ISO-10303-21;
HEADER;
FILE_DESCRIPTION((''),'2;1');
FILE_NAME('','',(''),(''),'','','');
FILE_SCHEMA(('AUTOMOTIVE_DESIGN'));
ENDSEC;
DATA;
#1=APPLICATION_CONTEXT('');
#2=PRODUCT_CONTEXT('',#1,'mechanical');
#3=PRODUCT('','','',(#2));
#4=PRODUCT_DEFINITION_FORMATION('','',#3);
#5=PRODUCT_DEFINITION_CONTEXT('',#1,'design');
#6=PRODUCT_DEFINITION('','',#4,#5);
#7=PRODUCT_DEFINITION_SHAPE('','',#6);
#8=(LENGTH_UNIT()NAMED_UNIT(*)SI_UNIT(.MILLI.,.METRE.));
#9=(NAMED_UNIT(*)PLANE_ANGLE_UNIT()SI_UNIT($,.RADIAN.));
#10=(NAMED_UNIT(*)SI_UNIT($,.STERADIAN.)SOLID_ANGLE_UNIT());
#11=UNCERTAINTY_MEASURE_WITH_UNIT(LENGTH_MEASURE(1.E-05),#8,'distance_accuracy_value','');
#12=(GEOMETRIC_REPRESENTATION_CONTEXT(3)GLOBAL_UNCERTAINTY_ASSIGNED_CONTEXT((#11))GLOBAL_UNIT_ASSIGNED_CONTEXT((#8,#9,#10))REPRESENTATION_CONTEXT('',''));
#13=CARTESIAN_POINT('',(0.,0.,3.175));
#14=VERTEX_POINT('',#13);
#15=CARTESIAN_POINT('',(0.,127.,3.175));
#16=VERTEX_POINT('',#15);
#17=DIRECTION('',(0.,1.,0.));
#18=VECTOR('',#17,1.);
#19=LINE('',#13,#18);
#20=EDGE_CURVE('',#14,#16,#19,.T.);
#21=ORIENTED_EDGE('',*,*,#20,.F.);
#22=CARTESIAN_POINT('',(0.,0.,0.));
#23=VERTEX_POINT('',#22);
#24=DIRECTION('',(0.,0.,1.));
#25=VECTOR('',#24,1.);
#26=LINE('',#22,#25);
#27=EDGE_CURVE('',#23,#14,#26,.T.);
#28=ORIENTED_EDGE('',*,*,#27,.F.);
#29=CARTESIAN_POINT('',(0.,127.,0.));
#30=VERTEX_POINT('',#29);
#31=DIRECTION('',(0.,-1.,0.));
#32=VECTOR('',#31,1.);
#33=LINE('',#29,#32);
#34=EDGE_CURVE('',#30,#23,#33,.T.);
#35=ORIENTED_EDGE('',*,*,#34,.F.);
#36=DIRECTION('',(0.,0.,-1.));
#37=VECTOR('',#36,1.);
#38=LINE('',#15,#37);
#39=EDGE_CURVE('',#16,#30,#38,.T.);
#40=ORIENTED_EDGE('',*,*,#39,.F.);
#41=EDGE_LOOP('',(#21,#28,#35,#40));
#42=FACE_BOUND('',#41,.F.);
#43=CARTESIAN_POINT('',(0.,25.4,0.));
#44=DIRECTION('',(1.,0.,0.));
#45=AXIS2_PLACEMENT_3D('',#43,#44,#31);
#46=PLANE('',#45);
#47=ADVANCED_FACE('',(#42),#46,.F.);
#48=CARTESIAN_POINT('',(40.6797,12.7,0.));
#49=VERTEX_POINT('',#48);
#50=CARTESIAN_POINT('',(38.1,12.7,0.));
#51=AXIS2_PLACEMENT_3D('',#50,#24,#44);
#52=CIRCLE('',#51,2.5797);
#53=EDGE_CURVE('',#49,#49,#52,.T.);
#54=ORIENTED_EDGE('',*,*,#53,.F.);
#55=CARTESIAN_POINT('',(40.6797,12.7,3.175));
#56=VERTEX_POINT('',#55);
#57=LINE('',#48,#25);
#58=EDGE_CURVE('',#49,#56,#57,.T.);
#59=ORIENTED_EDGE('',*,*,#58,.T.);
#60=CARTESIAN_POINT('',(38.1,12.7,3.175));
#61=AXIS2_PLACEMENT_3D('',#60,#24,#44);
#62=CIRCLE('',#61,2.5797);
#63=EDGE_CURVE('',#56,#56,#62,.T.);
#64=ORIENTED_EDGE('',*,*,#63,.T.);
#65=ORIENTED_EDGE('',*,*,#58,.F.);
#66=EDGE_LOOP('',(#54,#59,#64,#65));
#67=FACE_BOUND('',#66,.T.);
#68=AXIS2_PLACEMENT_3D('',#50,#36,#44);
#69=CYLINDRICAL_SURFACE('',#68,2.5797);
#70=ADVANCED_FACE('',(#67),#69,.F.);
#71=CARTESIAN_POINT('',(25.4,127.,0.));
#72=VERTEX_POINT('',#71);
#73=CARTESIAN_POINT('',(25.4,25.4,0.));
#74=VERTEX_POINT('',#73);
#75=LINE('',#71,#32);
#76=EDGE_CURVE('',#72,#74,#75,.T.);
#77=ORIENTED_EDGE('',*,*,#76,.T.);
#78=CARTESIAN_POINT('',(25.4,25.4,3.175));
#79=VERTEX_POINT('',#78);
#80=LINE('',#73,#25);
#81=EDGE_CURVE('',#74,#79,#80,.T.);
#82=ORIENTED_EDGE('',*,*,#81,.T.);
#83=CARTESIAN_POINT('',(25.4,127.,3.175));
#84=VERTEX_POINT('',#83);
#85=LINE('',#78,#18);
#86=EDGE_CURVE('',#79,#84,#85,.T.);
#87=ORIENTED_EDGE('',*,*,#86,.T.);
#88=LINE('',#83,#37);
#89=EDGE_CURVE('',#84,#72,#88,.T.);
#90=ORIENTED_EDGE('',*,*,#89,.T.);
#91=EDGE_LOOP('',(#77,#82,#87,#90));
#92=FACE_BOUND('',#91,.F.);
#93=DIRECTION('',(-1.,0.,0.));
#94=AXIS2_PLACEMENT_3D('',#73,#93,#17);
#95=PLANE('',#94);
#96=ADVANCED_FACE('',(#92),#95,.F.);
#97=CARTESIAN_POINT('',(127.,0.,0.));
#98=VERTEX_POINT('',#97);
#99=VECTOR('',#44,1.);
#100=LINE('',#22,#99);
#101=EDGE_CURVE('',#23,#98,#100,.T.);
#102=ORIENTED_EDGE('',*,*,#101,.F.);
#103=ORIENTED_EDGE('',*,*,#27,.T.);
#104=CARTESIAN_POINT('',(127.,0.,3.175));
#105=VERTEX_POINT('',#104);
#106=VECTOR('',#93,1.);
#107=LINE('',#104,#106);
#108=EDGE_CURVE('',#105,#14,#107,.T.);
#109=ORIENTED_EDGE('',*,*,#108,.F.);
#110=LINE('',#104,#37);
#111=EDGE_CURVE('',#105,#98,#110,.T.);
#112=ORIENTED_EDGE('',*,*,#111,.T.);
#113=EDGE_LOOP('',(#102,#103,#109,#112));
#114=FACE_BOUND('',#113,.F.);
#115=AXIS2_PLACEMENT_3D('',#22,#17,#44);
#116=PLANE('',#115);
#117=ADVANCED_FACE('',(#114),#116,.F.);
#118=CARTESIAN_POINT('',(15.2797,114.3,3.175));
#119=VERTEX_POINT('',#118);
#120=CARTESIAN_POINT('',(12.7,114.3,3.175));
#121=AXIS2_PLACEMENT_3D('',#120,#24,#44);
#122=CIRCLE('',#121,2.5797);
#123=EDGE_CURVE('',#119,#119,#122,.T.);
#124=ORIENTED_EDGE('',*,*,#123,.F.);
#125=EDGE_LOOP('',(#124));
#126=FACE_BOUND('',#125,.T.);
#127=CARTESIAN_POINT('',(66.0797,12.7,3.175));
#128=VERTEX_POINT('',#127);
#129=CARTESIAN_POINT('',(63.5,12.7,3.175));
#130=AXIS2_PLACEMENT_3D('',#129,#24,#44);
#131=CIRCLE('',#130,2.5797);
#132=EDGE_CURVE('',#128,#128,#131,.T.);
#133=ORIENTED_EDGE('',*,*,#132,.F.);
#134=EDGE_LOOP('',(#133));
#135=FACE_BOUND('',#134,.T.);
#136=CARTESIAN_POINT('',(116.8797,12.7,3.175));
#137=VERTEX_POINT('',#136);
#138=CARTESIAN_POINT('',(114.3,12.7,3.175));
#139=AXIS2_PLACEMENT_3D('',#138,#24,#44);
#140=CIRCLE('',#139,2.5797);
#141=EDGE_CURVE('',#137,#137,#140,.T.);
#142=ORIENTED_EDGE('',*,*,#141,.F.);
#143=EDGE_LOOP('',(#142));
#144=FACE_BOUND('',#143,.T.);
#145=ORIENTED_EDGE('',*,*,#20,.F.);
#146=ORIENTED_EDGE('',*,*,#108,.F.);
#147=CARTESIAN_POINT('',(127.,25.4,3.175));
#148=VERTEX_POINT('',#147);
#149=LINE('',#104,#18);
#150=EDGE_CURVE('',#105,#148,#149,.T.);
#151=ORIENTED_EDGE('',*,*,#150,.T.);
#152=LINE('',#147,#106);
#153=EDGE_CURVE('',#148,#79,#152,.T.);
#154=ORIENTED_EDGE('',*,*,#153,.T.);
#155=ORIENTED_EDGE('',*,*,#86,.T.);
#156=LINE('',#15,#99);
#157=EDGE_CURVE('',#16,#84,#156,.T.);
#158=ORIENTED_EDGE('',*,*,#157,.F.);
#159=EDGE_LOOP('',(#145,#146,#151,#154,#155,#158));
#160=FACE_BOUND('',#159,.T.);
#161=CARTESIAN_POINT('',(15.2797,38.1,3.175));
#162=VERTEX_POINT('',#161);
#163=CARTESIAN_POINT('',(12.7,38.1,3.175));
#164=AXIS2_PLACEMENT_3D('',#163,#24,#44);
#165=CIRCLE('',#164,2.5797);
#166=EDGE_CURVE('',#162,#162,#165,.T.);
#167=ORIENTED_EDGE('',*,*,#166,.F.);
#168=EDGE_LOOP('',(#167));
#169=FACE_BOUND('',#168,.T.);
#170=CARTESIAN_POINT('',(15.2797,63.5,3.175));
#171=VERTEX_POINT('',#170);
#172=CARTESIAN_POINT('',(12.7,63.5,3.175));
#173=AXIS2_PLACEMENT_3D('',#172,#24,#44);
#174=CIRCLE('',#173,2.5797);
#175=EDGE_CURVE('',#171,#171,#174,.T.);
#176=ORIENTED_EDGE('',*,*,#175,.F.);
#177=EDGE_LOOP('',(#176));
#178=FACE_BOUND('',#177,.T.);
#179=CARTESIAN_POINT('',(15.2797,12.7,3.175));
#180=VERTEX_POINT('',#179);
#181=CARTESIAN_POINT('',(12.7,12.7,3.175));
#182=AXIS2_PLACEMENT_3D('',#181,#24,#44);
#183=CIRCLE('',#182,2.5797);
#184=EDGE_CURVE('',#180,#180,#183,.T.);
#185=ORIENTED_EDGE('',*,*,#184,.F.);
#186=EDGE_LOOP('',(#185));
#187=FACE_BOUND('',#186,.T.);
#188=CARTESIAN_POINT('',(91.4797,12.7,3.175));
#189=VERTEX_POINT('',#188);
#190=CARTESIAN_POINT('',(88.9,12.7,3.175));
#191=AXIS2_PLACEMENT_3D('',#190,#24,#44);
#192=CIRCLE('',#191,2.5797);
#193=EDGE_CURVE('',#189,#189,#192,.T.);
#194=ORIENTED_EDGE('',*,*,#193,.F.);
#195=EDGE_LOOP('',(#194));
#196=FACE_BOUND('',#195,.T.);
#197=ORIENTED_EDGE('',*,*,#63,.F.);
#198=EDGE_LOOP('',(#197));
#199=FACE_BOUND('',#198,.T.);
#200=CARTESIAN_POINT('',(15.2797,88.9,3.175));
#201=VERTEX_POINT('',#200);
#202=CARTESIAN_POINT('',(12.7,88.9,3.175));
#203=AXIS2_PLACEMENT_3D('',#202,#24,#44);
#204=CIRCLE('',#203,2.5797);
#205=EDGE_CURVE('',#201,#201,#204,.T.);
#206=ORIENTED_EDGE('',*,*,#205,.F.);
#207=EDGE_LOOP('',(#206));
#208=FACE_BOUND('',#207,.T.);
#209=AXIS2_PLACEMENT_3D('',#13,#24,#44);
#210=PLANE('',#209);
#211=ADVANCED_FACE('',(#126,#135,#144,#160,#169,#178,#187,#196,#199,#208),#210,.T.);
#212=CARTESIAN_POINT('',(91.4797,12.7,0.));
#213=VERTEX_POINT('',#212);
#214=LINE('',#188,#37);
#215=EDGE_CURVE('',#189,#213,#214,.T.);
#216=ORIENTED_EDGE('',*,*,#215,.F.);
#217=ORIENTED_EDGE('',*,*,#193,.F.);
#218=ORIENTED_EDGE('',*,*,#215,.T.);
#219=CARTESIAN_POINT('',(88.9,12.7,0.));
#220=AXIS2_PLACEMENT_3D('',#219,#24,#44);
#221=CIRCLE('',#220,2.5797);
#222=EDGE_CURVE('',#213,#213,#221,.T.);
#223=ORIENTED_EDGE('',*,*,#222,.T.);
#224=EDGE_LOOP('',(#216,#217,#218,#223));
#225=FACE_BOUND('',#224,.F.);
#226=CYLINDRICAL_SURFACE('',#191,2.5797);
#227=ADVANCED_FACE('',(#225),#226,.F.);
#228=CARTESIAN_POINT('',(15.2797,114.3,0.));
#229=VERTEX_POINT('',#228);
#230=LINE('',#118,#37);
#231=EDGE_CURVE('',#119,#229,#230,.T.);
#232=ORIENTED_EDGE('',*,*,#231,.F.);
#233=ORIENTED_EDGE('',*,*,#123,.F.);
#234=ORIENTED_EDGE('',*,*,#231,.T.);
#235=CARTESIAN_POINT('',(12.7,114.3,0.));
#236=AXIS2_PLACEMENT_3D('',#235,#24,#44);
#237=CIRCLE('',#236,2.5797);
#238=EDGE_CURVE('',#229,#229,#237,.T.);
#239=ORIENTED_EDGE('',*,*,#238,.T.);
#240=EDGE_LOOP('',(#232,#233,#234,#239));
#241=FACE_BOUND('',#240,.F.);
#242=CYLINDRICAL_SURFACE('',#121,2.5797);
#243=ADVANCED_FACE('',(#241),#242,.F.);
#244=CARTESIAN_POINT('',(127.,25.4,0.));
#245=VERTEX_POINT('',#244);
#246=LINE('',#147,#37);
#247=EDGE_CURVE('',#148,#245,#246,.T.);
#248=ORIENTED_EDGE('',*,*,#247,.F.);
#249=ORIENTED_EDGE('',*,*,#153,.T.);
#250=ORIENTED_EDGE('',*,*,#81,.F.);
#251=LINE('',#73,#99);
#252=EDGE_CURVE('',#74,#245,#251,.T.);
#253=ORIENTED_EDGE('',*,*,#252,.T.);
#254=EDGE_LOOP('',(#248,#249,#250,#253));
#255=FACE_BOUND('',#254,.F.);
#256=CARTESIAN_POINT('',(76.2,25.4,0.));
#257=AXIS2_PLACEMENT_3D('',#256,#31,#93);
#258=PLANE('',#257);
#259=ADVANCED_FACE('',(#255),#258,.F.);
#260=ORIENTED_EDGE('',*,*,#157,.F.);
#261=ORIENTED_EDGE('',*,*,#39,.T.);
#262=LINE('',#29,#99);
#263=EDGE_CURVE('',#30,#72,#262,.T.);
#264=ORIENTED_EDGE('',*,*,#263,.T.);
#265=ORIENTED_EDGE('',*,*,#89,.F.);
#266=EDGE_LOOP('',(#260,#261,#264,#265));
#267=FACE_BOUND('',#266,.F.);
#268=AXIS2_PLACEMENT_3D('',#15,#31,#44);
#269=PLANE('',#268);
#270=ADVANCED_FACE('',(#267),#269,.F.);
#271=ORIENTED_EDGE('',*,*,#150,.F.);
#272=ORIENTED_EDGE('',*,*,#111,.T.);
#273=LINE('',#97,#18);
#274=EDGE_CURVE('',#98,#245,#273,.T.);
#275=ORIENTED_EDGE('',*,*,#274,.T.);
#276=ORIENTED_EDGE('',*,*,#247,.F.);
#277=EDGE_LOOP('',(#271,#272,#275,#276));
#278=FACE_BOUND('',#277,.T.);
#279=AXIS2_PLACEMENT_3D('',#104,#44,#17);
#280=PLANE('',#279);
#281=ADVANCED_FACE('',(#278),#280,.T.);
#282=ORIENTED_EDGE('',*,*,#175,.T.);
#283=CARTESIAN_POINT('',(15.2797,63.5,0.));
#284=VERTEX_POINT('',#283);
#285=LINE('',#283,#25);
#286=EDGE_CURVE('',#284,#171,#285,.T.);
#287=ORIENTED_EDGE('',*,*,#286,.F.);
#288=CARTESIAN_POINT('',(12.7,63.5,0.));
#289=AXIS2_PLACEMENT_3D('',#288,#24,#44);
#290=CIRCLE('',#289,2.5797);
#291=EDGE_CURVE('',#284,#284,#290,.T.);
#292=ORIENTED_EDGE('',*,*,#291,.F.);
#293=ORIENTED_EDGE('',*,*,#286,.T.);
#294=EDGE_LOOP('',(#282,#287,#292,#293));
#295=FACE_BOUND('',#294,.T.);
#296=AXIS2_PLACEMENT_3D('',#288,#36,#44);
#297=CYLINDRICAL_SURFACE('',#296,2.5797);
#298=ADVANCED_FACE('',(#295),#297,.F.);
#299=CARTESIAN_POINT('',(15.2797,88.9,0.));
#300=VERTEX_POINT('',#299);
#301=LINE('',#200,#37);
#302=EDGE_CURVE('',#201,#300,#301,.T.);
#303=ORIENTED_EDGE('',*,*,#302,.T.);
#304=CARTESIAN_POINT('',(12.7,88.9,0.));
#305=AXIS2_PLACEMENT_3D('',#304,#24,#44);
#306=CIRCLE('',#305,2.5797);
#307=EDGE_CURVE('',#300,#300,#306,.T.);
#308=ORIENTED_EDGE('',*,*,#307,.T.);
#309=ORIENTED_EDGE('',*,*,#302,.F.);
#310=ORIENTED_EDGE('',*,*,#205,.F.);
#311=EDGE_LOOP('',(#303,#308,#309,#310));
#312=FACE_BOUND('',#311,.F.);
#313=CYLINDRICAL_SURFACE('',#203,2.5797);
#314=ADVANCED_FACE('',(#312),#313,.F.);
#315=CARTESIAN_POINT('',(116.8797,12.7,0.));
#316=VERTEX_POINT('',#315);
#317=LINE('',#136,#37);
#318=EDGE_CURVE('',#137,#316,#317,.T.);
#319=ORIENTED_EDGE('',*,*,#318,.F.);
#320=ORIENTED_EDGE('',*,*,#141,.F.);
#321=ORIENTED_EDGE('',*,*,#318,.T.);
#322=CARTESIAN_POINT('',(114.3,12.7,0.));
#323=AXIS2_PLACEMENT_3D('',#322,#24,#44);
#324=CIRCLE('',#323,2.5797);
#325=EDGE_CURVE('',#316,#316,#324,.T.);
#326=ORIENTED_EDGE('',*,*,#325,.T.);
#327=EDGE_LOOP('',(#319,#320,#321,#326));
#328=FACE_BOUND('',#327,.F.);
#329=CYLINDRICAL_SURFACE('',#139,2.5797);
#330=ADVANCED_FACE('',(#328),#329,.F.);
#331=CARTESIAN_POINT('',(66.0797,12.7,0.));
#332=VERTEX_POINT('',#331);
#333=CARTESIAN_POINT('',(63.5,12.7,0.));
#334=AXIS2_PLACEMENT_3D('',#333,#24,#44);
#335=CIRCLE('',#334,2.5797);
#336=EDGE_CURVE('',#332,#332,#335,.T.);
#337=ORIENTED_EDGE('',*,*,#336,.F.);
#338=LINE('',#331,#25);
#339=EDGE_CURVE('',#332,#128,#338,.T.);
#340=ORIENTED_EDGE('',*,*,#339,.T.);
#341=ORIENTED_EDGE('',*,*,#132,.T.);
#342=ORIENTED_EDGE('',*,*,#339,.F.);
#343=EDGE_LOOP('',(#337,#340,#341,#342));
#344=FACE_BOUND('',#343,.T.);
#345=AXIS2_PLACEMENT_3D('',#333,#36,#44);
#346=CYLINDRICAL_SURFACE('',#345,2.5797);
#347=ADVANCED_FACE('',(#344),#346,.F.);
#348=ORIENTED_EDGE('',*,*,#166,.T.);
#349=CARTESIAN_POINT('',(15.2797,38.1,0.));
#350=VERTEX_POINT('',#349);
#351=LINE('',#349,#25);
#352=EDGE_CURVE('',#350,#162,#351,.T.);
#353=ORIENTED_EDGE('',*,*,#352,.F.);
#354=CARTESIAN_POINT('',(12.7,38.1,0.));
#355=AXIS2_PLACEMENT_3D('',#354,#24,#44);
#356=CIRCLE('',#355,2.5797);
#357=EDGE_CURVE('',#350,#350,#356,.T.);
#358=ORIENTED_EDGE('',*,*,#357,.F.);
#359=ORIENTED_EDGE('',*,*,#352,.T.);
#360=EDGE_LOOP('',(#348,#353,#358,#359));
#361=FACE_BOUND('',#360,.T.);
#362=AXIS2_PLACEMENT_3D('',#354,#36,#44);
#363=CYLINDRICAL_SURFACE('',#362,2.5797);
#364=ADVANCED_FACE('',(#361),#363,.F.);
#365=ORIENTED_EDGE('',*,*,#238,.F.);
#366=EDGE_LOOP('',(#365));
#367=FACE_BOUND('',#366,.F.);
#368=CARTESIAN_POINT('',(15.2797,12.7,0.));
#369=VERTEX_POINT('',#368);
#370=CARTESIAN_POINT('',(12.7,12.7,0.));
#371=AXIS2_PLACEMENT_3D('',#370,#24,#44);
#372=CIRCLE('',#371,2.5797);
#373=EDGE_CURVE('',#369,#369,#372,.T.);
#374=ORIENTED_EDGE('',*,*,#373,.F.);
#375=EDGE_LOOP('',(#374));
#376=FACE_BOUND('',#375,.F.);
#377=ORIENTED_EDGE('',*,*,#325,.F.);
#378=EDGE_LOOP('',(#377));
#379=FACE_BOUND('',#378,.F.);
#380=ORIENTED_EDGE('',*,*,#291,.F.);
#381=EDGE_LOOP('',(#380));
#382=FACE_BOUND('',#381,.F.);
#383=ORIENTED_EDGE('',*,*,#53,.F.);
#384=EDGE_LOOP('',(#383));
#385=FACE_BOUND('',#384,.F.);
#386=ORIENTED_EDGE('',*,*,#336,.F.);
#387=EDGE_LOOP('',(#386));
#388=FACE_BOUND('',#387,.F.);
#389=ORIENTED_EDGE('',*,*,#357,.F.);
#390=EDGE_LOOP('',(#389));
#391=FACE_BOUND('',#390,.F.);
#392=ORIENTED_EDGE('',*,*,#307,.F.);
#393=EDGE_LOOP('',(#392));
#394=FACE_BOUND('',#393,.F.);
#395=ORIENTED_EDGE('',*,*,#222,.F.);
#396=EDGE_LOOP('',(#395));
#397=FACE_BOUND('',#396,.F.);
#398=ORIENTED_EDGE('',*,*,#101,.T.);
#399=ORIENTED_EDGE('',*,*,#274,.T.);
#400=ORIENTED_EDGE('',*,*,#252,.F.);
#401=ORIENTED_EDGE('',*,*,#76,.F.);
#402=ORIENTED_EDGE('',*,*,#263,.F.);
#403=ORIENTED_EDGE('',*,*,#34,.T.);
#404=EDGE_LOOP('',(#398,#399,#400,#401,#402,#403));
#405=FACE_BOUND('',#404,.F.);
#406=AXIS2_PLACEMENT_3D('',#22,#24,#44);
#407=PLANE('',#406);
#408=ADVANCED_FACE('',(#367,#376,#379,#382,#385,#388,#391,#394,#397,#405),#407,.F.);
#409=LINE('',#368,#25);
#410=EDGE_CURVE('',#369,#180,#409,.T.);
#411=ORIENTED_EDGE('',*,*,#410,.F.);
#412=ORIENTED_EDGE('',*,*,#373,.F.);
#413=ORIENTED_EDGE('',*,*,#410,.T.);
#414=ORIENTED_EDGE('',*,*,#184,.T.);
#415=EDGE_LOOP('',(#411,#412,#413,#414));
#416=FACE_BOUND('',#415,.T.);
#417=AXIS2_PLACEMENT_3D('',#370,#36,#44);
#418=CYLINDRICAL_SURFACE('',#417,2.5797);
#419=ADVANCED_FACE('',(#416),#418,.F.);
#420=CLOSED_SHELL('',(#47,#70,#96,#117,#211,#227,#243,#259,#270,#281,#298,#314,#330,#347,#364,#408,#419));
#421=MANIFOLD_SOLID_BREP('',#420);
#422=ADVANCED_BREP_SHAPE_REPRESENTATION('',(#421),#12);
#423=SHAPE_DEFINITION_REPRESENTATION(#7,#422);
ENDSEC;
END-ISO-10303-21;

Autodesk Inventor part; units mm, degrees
ref_plane "YZ Plane" through (0, 0, 0) normal (1, 0, 0) x (0, 1, 0)
ref_plane "XZ Plane" through (0, 0, 0) normal (0, 1, 0) x (-1, 0, 0)
ref_plane "XY Plane" through (0, 0, 0) normal (0, 0, 1) x (1, 0, 0)
sketch "Sketch1" plane through (0, 0, 0) normal (0, 0, 1) x (1, 0, 0)
  line L0 (0, 0) -> (76.2, 0)
  line L1 (76.2, 0) -> (76.2, 25.4)
  line L2 (76.2, 25.4) -> (25.4, 25.4)
  line L3 (0, 25.4) -> (0, 0)
  line L4 (0, 0) -> (25.4, 0)
  line L5 (25.4, 25.4) -> (25.4, 76.2)
  line L6 (25.4, 76.2) -> (0, 76.2)
  line L7 (0, 76.2) -> (0, 0)
  line L8 (12.7, 76.2) -> (12.7, 63.5) construction
  line L9 (12.7, 63.5) -> (12.7, 38.1) construction
  line L10 (12.7, 38.1) -> (12.7, 12.7) construction
  line L11 (12.7, 12.7) -> (38.1, 12.7) construction
  line L12 (38.1, 12.7) -> (63.5, 12.7) construction
  circle A0 centre (12.7, 63.5) radius 2.5797
  circle A1 centre (12.7, 38.1) radius 2.5797
  circle A2 centre (12.7, 12.7) radius 2.5797
  circle A3 centre (38.1, 12.7) radius 2.5797
  circle A4 centre (63.5, 12.7) radius 2.5797
  dimension "d0" = 76.2
  dimension "d1" = 25.4
  dimension "d2" = 25.4
  dimension "d3" = 76.2
  dimension "d4" = 12.7
  dimension "d5" = 25.4
  dimension "d6" = 25.4
  dimension "d7" = 25.4
  dimension "d8" = 25.4
  dimension "d9" = 5.1594
extrude "Extrusion1" add sketch "Sketch1" along normal blind 3.175
sketch "Sketch2" plane through (0, 0, 3.175) normal (0, 0, 1) x (1, 0, 0)
  circle A0 centre (12.7, 63.5) radius 2.5797 construction
  line L0 (12.7, 63.5) -> (12.7, 88.9) construction
  line L1 (12.7, 88.9) -> (12.7, 114.3) construction
  circle A1 centre (63.5, 12.7) radius 2.5797 construction
  line L2 (63.5, 12.7) -> (88.9, 12.7) construction
  line L3 (88.9, 12.7) -> (114.3, 12.7) construction
  circle A2 centre (88.9, 12.7) radius 2.5797
  circle A3 centre (114.3, 12.7) radius 2.5797
  circle A4 centre (12.7, 88.9) radius 2.5797
  circle A5 centre (12.7, 114.3) radius 2.5797
  line L4 (0, 76.2) -> (0, 0) projected
  line L5 (0, 76.2) -> (0, 127)
  line L6 (0, 127) -> (25.4, 127)
  line L7 (25.4, 25.4) -> (25.4, 76.2) projected
  line L8 (25.4, 127) -> (25.4, 76.2)
  line L9 (25.4, 76.2) -> (0, 76.2)
  line L10 (76.2, 0) -> (76.2, 25.4) projected
  line L11 (76.2, 25.4) -> (76.2, 0)
  line L12 (76.2, 0) -> (127, 0)
  line L13 (127, 0) -> (127, 25.4)
  line L14 (127, 25.4) -> (76.2, 25.4)
  dimension "d12" = 25.4
  dimension "d13" = 25.4
  dimension "d14" = 25.4
  dimension "d15" = 25.4
  dimension "d16" = 50.8
  dimension "d17" = 25.4
  dimension "d18" = 50.8
extrude "Extrusion2" add sketch "Sketch2" against normal blind 3.175
properties part number "L gusset"
